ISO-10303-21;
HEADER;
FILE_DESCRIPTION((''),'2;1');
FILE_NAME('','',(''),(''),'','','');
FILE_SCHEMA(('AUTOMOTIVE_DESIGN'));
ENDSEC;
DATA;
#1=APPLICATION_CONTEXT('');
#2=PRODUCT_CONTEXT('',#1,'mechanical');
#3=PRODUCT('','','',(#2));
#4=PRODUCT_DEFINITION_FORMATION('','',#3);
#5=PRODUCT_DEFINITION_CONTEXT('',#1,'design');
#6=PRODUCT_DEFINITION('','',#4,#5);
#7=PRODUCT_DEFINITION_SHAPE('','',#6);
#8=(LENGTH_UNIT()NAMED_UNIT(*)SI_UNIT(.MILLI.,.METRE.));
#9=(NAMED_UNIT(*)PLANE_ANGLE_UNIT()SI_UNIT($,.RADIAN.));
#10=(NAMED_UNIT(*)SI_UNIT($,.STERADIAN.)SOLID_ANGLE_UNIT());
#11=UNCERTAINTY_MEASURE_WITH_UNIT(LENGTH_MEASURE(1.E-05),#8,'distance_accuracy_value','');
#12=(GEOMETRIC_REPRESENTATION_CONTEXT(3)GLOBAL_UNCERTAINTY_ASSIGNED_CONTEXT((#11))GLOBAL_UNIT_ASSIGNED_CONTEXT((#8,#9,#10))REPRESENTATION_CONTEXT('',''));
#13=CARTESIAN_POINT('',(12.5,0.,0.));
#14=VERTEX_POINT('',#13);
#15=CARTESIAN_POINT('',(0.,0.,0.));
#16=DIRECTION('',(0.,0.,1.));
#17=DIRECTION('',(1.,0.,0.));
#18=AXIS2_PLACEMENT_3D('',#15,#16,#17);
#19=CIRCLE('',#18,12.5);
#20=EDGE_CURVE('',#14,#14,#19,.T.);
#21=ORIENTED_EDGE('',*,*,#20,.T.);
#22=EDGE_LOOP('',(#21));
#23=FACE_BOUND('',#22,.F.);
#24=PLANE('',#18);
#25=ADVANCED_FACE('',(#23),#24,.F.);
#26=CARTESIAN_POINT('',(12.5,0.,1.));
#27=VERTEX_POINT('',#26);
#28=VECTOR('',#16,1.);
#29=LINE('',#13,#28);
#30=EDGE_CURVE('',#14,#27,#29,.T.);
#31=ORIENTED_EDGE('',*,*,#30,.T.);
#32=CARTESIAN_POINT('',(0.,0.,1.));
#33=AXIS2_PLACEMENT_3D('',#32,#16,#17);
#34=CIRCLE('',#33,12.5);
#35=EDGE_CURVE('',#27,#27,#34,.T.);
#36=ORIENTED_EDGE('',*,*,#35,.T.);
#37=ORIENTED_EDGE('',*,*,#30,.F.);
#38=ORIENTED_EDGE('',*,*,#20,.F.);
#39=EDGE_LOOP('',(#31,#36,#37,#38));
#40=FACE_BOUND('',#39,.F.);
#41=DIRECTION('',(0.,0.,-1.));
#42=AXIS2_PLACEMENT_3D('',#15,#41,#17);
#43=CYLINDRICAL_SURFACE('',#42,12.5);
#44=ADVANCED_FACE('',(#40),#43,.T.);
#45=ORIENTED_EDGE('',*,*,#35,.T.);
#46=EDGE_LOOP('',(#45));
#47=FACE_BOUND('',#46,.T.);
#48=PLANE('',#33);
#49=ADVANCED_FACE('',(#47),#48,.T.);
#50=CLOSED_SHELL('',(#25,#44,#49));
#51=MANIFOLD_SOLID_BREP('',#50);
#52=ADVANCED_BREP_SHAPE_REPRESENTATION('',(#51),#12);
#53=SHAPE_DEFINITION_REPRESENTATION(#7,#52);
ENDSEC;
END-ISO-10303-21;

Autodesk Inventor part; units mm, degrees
ref_plane "YZ Plane" through (0, 0, 0) normal (1, 0, 0) x (0, 1, 0)
ref_plane "XZ Plane" through (0, 0, 0) normal (0, 1, 0) x (-1, 0, 0)
ref_plane "Work Plane1" through (0, 0, 0) normal (0, 0, 1) x (1, 0, 0)
sketch "Sketch1" plane through (0, 0, 0) normal (0, 0, 1) x (1, 0, 0)
  circle A0 centre (0, 0) radius 11 construction
  circle A1 centre (0, 0) radius 12.5
  circle A2 centre (0, 0) radius 13 construction
  point P0 (0, 0)
  dimension "d0" = 0.5
extrude "Extrusion1" add sketch "Sketch1" along normal blind 1
properties part number "al_filter_0.5" material "Aluminum 6061-AHC"
